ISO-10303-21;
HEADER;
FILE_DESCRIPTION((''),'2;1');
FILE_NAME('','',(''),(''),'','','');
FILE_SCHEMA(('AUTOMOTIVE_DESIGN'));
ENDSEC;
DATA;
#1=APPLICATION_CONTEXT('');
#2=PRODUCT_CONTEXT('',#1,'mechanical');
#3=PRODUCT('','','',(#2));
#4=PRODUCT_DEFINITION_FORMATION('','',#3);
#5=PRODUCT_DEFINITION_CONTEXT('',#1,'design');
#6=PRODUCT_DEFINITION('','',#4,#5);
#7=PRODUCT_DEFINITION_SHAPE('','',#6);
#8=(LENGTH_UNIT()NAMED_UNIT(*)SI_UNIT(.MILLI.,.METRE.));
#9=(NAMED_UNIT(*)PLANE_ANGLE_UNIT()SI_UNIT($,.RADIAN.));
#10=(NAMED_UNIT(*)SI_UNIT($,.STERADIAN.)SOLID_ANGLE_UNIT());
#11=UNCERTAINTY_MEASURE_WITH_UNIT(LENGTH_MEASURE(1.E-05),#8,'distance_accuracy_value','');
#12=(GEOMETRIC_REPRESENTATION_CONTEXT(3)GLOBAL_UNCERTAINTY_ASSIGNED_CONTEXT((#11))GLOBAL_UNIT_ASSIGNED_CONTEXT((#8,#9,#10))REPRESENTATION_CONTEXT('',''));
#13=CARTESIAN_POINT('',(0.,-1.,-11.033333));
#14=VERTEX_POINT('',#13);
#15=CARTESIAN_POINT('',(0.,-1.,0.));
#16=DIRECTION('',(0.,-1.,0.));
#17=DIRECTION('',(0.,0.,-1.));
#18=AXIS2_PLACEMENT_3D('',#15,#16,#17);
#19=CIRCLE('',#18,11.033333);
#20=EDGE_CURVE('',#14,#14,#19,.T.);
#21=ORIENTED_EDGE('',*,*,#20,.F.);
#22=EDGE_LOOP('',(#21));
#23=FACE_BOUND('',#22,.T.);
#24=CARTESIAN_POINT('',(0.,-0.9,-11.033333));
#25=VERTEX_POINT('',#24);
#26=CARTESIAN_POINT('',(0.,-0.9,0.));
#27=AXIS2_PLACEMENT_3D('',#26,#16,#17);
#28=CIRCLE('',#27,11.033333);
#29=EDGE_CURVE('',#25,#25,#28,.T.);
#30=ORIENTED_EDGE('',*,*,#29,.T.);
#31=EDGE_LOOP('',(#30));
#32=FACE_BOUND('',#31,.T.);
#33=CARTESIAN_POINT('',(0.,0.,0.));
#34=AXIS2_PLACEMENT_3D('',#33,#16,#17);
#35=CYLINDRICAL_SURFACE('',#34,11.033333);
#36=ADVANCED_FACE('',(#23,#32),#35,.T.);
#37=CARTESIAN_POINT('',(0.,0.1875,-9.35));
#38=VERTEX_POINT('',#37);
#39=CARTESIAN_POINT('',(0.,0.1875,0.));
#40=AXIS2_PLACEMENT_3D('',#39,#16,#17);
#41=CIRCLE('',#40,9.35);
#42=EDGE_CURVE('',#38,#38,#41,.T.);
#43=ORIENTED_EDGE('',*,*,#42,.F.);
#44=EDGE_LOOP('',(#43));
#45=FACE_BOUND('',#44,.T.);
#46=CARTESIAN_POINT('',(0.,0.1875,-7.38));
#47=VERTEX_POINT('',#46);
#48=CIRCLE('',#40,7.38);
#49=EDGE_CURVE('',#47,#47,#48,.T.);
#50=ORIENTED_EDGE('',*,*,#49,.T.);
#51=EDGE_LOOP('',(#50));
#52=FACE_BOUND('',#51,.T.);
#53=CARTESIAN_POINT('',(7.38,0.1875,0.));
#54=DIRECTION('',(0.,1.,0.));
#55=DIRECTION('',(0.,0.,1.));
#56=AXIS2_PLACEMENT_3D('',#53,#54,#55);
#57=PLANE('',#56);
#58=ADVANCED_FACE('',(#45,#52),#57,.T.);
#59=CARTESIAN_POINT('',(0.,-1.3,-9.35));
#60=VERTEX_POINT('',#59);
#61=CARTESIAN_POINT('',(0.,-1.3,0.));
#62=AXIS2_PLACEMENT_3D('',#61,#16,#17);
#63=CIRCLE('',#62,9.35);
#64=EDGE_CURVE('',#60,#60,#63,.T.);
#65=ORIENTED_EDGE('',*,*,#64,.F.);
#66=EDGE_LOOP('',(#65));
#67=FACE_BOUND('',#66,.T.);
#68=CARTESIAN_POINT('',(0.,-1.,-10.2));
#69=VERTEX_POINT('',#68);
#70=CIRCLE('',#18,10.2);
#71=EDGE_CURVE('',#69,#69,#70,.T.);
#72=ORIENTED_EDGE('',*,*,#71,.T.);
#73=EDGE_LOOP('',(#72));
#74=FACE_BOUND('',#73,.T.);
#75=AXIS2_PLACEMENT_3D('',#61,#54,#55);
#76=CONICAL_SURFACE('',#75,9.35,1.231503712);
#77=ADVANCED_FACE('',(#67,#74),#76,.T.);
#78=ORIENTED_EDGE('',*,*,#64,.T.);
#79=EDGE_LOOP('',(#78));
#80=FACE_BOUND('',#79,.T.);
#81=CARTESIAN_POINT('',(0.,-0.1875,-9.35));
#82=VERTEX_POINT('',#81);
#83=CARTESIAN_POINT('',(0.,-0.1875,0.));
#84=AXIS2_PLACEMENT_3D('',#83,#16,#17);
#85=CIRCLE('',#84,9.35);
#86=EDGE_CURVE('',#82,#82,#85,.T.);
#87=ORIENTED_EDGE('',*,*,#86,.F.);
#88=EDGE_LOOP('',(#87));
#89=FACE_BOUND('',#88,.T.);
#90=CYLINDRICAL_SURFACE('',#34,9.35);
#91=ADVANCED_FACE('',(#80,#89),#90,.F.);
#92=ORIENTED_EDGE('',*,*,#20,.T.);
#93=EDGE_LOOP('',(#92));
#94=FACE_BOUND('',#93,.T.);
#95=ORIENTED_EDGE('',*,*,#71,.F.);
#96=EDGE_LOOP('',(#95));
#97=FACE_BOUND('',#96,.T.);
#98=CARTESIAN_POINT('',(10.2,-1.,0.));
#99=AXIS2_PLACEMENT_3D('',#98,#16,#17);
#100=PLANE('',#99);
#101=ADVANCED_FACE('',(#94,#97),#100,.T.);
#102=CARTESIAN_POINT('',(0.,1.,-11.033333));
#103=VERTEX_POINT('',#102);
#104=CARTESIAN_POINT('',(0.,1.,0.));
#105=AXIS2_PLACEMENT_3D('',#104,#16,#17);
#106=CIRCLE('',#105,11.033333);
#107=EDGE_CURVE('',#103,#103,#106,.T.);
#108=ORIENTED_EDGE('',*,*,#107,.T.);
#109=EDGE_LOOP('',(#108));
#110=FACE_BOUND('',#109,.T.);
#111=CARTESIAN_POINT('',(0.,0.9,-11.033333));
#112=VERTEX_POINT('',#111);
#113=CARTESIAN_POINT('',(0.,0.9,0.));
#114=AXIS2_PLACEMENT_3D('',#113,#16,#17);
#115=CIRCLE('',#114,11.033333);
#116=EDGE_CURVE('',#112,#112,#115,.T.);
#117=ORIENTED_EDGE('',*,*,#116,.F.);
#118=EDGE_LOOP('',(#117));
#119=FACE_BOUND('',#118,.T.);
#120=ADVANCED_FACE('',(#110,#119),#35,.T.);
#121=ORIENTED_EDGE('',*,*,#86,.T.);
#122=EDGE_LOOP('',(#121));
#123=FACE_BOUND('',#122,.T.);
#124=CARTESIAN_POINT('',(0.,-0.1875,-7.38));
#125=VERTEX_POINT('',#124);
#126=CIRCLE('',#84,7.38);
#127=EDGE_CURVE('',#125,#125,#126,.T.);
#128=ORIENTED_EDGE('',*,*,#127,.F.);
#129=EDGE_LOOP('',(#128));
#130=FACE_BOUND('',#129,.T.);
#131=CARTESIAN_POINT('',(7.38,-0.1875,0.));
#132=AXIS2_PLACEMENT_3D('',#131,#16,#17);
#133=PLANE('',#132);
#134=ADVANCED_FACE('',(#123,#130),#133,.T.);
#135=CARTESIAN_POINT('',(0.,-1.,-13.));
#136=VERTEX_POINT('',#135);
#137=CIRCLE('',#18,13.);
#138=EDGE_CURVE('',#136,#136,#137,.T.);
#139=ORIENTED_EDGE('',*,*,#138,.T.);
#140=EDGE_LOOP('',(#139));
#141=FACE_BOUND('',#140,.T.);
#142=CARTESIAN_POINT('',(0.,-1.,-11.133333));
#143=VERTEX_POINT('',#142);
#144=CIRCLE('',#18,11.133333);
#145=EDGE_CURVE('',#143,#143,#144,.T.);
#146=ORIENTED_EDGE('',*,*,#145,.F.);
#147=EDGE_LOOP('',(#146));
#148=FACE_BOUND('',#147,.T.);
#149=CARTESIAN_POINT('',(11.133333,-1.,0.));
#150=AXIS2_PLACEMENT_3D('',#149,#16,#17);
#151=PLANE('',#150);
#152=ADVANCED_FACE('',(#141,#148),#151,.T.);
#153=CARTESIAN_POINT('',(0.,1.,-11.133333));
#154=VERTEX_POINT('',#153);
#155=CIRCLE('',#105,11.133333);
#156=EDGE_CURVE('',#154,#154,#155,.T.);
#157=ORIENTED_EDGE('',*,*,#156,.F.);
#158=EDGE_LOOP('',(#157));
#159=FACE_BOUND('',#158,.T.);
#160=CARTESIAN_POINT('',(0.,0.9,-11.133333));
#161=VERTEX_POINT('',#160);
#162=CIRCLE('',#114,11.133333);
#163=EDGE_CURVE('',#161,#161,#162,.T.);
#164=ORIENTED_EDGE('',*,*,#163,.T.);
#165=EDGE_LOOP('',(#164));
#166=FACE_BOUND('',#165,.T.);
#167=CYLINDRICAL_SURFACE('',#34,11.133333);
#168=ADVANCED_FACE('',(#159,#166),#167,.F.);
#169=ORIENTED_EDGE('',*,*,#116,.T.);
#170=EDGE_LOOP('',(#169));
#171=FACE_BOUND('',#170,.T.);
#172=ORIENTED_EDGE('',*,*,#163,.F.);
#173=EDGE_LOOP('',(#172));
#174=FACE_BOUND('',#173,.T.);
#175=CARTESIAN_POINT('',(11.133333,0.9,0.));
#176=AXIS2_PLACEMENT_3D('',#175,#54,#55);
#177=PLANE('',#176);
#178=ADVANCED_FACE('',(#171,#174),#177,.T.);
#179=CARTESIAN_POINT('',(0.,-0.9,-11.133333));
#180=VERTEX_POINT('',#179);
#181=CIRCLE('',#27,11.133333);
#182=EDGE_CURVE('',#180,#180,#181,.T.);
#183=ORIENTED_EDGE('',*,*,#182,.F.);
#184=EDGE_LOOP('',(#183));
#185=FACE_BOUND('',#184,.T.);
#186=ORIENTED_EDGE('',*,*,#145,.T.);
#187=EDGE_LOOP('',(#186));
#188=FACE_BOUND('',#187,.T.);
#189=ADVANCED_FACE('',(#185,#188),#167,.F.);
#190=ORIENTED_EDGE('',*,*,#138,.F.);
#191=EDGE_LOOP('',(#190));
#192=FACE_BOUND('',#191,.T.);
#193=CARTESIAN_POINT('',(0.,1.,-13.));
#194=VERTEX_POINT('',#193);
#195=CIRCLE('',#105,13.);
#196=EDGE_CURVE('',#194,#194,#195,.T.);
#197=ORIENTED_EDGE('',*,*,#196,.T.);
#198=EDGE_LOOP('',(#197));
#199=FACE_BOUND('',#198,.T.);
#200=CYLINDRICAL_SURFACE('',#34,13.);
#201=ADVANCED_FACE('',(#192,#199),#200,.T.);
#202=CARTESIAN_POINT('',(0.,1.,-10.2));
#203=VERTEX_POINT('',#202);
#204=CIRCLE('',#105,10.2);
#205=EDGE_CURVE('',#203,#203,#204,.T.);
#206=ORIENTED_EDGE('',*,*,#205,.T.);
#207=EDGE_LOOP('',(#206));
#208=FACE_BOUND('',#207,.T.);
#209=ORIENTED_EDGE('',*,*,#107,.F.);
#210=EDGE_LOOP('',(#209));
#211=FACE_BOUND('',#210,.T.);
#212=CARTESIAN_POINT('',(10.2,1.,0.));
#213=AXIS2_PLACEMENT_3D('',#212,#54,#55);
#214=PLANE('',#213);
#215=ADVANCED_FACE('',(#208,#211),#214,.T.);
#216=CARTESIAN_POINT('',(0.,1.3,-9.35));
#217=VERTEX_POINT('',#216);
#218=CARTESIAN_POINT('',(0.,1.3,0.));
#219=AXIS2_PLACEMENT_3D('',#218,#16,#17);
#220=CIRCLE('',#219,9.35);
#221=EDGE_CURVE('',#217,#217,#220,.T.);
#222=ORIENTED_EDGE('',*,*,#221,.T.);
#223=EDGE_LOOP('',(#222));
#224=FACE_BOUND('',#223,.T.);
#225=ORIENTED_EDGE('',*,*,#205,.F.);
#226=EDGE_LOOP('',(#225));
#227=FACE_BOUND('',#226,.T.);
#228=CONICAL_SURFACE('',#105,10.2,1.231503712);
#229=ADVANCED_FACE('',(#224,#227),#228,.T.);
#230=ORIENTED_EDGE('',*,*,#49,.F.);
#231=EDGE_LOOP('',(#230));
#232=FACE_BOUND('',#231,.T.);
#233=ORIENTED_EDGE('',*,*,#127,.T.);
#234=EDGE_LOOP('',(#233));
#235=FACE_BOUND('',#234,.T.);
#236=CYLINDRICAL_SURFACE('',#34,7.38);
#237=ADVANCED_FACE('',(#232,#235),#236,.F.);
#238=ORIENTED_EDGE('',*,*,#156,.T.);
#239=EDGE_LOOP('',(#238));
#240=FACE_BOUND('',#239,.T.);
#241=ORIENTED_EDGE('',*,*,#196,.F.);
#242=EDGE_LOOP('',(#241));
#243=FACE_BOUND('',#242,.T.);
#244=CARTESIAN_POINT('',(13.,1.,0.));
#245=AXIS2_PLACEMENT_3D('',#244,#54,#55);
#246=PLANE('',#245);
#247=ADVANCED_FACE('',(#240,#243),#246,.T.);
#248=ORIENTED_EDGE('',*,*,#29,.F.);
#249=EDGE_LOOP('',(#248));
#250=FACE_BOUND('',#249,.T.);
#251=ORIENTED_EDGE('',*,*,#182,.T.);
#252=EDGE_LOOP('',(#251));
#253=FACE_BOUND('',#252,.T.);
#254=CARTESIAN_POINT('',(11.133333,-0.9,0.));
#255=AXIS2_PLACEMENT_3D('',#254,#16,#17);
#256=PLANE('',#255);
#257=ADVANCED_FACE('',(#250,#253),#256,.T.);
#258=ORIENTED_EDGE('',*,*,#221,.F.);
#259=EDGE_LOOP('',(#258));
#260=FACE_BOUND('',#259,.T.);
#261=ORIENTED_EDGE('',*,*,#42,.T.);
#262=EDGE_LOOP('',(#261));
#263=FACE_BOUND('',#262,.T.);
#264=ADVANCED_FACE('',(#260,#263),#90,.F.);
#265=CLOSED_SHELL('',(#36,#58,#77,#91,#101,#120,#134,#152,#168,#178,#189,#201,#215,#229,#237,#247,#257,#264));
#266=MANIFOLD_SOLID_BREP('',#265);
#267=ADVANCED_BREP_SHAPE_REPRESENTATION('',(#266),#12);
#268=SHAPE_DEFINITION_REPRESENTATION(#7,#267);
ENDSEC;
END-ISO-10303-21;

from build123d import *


with BuildPart() as part:
    # Sketch1 → Revolve1 (revolve)
    with BuildSketch(Plane.XY):
        Polygon((7.38, -0.1875), (7.38, 0.1875), (9.35, 0.1875), (9.35, 1.3), (10.2, 1), (11.033333333, 1), (11.033333333, 0.9), (11.133333333, 0.9), (11.133333333, 1), (13, 1), (13, -1), (11.133333333, -1), (11.133333333, -0.9), (11.033333333, -0.9), (11.033333333, -1), (10.2, -1), (9.35, -1.3), (9.35, -0.1875), align=None)
    revolve(axis=Axis((0, 0, 0), (0, 1, 0)))


solid = part.part
